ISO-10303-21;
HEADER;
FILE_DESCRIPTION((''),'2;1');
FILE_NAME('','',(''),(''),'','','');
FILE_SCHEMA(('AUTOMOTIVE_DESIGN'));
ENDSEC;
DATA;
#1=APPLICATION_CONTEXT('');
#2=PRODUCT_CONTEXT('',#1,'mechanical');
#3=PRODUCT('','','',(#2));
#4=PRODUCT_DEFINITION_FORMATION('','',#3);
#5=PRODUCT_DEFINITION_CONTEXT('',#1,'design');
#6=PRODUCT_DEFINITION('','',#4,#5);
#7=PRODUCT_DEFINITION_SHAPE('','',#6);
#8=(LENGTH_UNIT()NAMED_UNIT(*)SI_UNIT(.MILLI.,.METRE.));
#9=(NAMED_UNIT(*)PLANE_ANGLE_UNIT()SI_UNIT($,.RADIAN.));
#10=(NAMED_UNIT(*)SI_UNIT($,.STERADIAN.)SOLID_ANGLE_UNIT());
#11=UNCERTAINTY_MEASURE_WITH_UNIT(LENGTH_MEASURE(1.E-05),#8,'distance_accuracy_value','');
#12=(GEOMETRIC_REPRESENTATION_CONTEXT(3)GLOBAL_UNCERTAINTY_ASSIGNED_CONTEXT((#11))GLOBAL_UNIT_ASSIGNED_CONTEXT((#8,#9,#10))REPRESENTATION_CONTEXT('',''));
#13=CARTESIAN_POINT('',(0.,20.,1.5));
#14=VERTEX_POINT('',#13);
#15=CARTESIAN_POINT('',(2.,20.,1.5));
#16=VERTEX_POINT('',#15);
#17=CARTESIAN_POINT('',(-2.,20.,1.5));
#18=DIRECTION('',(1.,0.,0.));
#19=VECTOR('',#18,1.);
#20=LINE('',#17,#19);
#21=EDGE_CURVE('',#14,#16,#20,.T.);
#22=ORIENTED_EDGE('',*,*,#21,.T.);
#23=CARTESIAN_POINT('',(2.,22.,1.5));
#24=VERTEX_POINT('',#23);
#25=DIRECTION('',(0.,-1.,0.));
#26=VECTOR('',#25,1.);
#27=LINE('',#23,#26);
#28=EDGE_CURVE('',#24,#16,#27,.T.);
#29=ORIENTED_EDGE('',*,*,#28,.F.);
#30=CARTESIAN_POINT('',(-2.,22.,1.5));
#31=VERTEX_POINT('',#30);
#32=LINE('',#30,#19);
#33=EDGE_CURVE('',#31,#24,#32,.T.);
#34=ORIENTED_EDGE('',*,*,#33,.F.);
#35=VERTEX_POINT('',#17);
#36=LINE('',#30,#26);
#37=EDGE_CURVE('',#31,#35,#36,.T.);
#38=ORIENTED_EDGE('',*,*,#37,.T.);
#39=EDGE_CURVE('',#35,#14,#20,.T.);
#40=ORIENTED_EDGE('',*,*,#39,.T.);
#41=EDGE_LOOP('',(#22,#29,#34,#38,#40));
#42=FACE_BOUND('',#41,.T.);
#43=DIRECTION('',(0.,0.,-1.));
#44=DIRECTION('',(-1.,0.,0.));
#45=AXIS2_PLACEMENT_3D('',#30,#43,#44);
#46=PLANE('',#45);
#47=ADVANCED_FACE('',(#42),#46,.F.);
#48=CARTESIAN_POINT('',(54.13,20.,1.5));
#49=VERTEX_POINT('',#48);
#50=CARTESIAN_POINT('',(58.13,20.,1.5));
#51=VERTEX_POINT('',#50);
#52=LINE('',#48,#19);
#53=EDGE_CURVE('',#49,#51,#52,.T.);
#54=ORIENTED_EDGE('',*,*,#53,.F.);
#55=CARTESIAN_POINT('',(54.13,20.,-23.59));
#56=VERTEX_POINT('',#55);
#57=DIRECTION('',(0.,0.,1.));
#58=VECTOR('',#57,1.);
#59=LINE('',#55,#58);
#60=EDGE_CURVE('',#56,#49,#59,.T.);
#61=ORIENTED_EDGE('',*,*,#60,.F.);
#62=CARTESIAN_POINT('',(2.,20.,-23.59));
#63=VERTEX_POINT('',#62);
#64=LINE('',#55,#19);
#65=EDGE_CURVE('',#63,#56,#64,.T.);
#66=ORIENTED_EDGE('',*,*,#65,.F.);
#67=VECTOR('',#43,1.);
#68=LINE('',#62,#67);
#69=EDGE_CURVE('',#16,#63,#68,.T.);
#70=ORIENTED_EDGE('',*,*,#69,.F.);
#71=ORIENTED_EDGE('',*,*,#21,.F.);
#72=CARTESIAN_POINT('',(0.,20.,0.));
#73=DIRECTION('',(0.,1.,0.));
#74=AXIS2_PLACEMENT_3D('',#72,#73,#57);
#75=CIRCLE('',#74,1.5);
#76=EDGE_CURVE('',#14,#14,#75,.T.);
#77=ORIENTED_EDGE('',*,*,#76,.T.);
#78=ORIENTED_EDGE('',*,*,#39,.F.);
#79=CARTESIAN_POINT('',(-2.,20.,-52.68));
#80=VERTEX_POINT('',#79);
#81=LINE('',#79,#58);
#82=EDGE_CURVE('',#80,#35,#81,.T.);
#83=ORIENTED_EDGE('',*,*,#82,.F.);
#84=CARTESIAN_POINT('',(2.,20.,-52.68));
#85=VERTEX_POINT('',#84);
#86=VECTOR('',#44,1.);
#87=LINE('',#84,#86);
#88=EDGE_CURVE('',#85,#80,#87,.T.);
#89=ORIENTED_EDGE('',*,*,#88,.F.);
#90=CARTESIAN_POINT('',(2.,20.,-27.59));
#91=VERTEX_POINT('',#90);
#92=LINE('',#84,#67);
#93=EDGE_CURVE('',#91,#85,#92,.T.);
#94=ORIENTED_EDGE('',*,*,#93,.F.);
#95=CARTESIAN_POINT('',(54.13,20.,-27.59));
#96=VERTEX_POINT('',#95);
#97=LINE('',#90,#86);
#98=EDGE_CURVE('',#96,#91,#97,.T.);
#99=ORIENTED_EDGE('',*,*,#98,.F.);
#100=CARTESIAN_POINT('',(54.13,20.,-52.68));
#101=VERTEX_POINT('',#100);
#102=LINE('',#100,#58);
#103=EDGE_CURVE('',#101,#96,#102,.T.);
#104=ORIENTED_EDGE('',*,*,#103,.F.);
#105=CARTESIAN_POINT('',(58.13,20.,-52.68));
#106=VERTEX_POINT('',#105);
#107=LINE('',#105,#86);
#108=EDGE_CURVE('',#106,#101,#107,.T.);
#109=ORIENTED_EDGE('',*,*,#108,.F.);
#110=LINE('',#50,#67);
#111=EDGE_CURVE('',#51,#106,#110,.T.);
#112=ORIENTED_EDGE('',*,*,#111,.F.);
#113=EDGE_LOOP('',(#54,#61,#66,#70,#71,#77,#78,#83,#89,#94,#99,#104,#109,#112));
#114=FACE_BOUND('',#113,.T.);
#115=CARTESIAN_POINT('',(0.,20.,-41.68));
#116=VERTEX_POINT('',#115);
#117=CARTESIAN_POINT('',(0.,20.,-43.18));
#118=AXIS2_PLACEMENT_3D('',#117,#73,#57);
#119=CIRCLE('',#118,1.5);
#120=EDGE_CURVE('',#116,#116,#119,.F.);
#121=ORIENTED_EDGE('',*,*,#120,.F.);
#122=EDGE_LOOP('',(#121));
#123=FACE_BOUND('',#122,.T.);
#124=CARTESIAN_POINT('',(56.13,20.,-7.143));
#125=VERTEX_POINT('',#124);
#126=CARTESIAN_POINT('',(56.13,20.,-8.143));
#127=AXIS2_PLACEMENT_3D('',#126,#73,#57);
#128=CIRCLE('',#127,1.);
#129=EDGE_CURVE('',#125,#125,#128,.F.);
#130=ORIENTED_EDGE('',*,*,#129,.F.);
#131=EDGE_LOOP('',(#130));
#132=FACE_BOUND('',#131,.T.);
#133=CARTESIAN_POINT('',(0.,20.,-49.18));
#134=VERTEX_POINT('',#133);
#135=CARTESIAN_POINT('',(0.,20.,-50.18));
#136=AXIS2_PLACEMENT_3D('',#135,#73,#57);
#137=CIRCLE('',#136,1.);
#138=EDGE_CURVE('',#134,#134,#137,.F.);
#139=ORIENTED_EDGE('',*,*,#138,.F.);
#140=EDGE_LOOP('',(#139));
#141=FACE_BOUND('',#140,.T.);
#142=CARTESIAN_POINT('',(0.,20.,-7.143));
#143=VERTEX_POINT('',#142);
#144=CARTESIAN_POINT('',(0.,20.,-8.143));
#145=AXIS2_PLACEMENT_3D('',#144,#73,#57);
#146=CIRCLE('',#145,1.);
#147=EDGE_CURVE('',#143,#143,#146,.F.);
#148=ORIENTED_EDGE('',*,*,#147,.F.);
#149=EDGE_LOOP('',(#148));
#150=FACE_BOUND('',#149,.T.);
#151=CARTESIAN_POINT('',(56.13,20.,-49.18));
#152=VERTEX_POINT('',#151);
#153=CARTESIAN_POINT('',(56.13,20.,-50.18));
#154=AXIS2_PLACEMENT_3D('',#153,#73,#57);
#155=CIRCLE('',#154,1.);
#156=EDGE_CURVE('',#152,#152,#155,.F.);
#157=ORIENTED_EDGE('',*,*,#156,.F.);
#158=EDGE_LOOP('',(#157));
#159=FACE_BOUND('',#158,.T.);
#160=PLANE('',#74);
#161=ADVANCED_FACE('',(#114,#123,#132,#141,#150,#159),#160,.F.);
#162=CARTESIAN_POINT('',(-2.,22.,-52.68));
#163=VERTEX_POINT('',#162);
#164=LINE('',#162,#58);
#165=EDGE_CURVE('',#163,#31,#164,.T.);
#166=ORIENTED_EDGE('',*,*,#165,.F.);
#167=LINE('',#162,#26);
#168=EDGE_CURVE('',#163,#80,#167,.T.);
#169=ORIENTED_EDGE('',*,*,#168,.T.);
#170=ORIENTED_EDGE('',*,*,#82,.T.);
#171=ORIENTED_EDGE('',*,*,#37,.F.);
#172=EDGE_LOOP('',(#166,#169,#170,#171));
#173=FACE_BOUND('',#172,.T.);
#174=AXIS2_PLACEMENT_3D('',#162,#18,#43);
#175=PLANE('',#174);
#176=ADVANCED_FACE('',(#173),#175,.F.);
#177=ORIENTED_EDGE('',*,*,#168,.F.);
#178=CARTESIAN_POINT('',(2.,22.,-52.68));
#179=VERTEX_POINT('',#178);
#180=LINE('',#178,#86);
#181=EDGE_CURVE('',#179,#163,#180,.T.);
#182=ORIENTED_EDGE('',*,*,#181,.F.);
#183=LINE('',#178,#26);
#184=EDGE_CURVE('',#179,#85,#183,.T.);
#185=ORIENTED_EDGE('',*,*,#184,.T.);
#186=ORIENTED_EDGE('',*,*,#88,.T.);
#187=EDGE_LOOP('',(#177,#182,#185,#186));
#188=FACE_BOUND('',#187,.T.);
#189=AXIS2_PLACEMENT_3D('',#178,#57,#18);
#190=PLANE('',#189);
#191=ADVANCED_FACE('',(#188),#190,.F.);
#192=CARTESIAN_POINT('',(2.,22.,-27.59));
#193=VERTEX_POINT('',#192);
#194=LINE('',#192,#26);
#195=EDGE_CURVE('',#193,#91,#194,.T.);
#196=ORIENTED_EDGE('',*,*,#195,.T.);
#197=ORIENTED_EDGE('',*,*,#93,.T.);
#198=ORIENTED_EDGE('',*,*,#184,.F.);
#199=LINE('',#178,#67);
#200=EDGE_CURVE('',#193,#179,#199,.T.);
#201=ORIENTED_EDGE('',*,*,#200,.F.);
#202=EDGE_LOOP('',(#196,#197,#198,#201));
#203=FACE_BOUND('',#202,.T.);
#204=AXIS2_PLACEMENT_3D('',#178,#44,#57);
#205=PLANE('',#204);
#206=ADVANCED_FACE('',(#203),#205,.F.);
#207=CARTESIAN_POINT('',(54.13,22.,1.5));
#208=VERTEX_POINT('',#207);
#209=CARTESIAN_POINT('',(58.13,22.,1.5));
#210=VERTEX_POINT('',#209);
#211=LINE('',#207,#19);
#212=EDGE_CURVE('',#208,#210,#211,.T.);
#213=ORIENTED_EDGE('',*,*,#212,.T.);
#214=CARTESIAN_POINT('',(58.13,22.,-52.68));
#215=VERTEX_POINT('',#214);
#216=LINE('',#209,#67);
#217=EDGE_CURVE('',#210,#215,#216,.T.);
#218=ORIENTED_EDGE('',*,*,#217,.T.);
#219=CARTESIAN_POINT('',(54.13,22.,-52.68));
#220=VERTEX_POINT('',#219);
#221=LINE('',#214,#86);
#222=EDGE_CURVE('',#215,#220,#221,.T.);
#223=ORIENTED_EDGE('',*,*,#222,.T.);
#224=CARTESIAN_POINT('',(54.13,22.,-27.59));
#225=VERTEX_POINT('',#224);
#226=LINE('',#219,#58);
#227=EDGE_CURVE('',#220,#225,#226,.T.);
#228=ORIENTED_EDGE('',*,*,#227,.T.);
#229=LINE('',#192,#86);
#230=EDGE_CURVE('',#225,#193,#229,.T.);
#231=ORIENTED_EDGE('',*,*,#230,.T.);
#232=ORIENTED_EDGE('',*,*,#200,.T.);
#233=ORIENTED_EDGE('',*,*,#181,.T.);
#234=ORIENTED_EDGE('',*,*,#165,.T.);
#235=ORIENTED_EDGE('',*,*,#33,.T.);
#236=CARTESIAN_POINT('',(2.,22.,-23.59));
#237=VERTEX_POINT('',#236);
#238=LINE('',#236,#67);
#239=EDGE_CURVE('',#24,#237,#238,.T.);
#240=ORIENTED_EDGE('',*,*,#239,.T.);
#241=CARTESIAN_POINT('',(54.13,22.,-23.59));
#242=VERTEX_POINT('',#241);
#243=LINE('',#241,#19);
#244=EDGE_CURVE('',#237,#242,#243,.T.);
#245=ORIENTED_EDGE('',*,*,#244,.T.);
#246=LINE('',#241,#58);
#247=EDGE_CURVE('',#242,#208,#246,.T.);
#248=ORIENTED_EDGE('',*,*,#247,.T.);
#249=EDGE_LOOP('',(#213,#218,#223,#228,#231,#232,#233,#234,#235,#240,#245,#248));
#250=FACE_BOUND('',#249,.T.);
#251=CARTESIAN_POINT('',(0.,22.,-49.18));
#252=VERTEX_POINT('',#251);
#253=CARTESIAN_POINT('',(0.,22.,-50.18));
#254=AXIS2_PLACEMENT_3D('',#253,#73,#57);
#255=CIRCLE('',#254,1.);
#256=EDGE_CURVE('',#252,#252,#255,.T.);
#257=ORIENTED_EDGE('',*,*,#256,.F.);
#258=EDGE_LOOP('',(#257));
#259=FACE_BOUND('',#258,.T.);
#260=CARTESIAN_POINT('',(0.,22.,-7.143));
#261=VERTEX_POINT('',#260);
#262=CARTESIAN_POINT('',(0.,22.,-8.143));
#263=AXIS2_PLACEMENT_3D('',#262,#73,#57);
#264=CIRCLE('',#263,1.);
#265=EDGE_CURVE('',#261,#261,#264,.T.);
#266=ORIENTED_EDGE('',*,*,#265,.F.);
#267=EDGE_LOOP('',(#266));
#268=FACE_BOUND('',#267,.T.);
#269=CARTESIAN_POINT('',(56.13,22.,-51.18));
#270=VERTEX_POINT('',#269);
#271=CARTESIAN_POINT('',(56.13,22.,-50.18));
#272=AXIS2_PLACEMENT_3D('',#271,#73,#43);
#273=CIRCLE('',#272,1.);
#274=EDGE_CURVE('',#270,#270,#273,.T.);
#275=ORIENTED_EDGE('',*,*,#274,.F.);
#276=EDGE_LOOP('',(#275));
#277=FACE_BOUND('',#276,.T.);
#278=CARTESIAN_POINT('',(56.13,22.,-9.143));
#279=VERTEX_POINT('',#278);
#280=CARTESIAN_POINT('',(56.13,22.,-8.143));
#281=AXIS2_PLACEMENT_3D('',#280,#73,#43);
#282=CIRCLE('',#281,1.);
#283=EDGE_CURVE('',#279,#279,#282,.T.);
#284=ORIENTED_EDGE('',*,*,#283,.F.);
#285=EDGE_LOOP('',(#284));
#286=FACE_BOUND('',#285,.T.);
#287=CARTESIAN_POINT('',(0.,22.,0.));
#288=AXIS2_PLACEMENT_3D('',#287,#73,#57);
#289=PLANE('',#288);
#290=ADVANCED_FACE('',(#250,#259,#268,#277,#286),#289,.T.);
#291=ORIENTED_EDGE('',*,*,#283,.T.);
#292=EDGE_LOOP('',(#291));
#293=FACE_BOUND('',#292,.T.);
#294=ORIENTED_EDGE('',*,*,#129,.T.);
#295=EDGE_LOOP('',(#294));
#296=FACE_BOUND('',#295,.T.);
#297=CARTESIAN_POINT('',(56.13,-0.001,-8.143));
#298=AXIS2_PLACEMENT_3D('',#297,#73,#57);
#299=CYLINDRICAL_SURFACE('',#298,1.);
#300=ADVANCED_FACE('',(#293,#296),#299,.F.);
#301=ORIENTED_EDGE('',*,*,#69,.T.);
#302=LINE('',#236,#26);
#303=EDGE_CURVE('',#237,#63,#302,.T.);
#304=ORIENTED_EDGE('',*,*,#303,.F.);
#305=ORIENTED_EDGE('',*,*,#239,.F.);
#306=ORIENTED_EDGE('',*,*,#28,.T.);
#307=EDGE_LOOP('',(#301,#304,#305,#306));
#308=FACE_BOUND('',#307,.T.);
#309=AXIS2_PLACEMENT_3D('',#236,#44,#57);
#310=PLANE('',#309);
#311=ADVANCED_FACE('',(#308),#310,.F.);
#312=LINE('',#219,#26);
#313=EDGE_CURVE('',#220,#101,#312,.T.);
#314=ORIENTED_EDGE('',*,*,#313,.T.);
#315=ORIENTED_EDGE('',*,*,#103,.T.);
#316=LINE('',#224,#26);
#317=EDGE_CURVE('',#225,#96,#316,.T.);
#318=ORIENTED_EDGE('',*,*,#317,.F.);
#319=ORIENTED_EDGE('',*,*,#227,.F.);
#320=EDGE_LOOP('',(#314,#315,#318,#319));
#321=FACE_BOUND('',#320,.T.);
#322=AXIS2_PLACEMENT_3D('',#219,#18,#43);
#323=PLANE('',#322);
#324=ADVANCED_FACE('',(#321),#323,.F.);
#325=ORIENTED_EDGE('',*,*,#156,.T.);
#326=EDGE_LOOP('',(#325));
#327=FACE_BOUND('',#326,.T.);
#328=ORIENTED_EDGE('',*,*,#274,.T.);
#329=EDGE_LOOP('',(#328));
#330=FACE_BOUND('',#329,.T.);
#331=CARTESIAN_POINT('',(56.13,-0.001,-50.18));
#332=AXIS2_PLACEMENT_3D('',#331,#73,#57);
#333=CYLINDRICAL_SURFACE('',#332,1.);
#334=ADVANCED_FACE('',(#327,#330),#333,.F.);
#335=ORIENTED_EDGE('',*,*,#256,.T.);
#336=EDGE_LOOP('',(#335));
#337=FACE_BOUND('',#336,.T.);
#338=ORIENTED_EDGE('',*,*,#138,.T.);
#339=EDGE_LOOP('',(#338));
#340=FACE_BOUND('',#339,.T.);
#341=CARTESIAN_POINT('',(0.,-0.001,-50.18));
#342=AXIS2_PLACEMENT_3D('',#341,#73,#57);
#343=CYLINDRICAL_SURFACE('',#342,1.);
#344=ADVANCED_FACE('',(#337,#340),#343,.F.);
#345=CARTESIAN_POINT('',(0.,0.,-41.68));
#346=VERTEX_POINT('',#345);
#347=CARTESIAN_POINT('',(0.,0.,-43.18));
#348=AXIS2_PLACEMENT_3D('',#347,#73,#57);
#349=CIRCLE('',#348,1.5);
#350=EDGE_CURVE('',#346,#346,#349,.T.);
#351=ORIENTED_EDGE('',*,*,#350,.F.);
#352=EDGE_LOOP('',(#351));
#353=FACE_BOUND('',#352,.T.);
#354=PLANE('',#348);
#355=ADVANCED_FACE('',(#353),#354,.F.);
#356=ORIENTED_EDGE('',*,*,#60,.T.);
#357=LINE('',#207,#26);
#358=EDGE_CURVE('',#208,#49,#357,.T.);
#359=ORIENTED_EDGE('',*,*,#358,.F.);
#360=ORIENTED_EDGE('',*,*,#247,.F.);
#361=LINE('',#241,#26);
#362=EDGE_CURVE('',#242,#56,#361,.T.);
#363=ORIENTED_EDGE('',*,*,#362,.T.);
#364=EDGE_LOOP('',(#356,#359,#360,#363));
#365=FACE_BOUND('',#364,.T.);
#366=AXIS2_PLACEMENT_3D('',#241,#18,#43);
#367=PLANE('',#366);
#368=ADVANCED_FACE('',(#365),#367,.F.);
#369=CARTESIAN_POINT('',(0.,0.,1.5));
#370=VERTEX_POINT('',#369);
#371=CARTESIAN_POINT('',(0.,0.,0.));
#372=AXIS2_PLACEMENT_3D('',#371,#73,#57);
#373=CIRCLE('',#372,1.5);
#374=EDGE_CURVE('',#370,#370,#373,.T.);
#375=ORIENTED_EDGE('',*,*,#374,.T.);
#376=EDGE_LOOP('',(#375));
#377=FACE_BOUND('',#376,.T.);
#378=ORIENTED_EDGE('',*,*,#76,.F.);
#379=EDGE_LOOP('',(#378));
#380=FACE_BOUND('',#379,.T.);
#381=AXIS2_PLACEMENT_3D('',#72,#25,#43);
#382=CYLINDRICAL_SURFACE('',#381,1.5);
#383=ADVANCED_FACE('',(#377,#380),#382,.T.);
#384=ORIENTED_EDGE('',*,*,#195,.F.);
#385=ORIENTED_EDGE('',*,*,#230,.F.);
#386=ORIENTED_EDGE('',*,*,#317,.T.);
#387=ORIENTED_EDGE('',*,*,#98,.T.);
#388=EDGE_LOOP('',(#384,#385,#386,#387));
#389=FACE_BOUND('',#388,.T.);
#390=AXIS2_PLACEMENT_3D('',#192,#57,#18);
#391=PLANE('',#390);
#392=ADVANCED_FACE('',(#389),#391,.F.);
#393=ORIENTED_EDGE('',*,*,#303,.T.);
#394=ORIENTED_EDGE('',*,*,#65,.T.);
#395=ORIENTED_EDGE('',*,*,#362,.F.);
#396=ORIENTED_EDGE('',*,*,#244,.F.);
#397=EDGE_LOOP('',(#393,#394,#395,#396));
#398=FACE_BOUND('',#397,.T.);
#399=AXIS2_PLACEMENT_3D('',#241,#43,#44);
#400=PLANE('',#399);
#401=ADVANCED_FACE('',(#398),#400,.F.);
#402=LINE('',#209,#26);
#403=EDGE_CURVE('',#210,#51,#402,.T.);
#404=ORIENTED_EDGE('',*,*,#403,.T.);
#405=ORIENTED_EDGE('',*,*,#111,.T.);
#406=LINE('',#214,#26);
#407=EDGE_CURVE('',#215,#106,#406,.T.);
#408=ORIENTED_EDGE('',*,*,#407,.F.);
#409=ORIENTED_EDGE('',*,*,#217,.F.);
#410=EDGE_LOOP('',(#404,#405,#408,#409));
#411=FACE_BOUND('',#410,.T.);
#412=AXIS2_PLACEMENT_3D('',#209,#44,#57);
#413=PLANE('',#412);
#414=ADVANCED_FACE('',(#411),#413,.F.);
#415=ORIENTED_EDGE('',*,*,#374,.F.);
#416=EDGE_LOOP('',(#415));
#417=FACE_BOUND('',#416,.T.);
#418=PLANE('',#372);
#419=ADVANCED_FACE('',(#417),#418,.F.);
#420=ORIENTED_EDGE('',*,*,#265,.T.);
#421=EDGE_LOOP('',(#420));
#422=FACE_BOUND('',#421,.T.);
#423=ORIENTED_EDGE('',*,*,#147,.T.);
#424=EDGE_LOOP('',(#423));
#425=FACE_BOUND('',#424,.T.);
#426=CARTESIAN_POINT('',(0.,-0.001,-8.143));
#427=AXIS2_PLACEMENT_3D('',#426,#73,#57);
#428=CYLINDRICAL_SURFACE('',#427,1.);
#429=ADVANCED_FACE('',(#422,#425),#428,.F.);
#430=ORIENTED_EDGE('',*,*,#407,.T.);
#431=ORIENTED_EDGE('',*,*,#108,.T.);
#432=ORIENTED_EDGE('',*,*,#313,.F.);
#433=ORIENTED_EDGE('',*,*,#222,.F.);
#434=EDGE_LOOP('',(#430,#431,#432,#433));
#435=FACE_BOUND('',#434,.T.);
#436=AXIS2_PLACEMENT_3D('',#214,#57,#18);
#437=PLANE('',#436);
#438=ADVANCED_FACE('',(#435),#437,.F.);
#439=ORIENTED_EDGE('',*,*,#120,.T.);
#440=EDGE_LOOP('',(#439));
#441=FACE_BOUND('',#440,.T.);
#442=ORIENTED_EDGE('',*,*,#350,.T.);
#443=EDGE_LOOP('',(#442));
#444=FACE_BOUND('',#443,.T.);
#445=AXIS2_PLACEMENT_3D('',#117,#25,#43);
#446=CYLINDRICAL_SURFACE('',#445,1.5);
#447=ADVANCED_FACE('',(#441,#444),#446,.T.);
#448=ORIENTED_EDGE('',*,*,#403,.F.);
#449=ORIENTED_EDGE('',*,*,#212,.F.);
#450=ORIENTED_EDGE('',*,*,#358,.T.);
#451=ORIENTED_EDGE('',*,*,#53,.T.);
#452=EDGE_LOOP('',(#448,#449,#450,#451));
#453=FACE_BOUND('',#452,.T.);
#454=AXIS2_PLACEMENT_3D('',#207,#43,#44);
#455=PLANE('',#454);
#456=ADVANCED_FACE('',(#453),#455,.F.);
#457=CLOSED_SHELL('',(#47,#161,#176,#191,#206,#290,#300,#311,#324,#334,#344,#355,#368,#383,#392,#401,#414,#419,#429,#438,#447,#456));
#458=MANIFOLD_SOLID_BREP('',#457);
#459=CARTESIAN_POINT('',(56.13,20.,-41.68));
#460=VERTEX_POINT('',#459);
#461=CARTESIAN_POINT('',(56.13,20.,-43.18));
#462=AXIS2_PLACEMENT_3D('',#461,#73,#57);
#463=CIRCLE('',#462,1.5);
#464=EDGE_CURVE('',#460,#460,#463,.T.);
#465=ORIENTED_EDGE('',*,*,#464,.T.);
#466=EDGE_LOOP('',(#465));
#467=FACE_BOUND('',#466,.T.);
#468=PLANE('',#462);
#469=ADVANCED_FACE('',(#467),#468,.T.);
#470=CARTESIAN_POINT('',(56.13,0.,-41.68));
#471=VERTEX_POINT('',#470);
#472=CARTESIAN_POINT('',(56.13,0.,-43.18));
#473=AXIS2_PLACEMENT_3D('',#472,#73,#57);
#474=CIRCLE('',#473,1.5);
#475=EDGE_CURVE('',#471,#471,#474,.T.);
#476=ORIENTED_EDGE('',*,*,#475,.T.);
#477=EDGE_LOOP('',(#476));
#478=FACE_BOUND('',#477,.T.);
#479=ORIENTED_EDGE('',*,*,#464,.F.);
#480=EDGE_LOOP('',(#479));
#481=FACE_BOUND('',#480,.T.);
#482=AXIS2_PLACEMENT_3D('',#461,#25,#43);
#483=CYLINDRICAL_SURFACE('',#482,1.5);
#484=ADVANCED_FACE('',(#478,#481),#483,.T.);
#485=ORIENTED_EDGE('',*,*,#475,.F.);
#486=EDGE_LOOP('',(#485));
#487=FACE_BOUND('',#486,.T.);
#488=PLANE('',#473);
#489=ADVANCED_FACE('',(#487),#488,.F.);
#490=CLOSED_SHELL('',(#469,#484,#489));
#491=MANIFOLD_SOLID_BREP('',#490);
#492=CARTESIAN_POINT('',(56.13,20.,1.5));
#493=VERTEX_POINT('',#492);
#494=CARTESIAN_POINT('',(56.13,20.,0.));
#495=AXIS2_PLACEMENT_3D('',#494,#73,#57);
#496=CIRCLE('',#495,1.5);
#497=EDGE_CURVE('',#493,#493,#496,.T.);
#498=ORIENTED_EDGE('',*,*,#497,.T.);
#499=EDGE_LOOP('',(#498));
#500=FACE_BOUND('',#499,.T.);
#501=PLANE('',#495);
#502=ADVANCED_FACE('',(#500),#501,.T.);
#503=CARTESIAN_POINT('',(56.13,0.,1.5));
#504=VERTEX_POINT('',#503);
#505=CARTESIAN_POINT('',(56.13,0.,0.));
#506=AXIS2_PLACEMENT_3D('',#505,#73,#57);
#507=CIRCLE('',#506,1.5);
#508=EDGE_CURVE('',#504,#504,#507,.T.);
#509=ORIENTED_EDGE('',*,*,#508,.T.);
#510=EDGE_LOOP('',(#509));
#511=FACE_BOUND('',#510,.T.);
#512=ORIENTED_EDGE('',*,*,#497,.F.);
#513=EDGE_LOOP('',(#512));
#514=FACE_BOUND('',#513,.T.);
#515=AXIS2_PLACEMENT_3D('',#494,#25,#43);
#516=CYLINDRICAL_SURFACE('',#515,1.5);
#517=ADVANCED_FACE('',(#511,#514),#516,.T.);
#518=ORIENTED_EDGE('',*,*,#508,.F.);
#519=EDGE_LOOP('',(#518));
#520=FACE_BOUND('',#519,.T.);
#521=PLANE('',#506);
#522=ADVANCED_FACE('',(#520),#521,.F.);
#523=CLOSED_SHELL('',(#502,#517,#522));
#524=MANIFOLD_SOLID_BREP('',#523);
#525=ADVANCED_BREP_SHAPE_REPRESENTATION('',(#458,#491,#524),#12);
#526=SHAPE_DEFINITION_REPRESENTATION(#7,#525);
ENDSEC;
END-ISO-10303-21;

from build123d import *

# Parameters (mm, degrees)
SKETCH_1_R          = 1.5
EXTRUDE_1_DEPTH     = 20
EXTRUDE_1_2_DEPTH   = 20
EXTRUDE_1_3_DEPTH   = 20
EXTRUDE_1_4_DEPTH   = 20
EXTRUDE_2_DEPTH     = 2
SKETCH_4_R          = 1
CUT_EXTRUDE_1_DEPTH = 2


with BuildPart() as part:
    # 草图1 → 凸台-拉伸1 (new body)
    with BuildSketch(Plane(origin=(0, 0, 0), x_dir=(1, 0, 0), z_dir=(0, 1, 0))):
        with Locations(Location((0, 0, 0), (0, 0, 270))):
            Circle(SKETCH_1_R)
    extrude(amount=EXTRUDE_1_DEPTH)



with BuildPart() as body_2:
    # 草图1 → Extrude 1 2 (new body)
    with BuildSketch(Plane(origin=(0, 0, 0), x_dir=(1, 0, 0), z_dir=(0, 1, 0))):
        with Locations(Location((0, 43.18, 0), (0, 0, 270))):
            Circle(SKETCH_1_R)
    extrude(amount=EXTRUDE_1_2_DEPTH)


with BuildPart() as body_3:
    # 草图1 → Extrude 1 3 (new body)
    with BuildSketch(Plane(origin=(0, 0, 0), x_dir=(1, 0, 0), z_dir=(0, 1, 0))):
        with Locations(Location((56.13, 43.18, 0), (0, 0, 270))):
            Circle(SKETCH_1_R)
    extrude(amount=EXTRUDE_1_3_DEPTH)


with BuildPart() as body_4:
    # 草图1 → Extrude 1 4 (new body)
    with BuildSketch(Plane(origin=(0, 0, 0), x_dir=(1, 0, 0), z_dir=(0, 1, 0))):
        with Locations(Location((56.13, 0, 0), (0, 0, 270))):
            Circle(SKETCH_1_R)
    extrude(amount=EXTRUDE_1_4_DEPTH)


with BuildPart() as part_1:
    add(part.part)

    add(body_2.part)  # 凸台-拉伸2 merges body 2
    # 草图2 → 凸台-拉伸2 (add)
    with BuildSketch(Plane(origin=(0, 20, 0), x_dir=(1, 0, 0), z_dir=(0, 1, 0))):
        Polygon((-2, 52.68), (-2, -1.5), (2, -1.5), (2, 23.59), (54.13, 23.59), (54.13, -1.5), (58.13, -1.5), (58.13, 52.68), (54.13, 52.68), (54.13, 27.59), (2, 27.59), (2, 52.68), align=None)
    extrude(amount=EXTRUDE_2_DEPTH)

    # 草图4 → 切除-拉伸1 (cut)
    with BuildSketch(Plane(origin=(0, 22, 0), x_dir=(1, 0, 0), z_dir=(0, 1, 0))):
        with Locations(Location((0, 50.18, 0), (0, 0, 270))):
            Circle(SKETCH_4_R)
        with Locations(Location((0, 8.143, 0), (0, 0, 270))):
            Circle(SKETCH_4_R)
        with Locations(Location((56.13, 8.143, 0), (0, 0, 270))):
            Circle(SKETCH_4_R)
        with Locations(Location((56.13, 50.18, 0), (0, 0, 270))):
            Circle(SKETCH_4_R)
    extrude(amount=-CUT_EXTRUDE_1_DEPTH, mode=Mode.SUBTRACT)


solid = Compound([body_3.part, body_4.part, part_1.part])
